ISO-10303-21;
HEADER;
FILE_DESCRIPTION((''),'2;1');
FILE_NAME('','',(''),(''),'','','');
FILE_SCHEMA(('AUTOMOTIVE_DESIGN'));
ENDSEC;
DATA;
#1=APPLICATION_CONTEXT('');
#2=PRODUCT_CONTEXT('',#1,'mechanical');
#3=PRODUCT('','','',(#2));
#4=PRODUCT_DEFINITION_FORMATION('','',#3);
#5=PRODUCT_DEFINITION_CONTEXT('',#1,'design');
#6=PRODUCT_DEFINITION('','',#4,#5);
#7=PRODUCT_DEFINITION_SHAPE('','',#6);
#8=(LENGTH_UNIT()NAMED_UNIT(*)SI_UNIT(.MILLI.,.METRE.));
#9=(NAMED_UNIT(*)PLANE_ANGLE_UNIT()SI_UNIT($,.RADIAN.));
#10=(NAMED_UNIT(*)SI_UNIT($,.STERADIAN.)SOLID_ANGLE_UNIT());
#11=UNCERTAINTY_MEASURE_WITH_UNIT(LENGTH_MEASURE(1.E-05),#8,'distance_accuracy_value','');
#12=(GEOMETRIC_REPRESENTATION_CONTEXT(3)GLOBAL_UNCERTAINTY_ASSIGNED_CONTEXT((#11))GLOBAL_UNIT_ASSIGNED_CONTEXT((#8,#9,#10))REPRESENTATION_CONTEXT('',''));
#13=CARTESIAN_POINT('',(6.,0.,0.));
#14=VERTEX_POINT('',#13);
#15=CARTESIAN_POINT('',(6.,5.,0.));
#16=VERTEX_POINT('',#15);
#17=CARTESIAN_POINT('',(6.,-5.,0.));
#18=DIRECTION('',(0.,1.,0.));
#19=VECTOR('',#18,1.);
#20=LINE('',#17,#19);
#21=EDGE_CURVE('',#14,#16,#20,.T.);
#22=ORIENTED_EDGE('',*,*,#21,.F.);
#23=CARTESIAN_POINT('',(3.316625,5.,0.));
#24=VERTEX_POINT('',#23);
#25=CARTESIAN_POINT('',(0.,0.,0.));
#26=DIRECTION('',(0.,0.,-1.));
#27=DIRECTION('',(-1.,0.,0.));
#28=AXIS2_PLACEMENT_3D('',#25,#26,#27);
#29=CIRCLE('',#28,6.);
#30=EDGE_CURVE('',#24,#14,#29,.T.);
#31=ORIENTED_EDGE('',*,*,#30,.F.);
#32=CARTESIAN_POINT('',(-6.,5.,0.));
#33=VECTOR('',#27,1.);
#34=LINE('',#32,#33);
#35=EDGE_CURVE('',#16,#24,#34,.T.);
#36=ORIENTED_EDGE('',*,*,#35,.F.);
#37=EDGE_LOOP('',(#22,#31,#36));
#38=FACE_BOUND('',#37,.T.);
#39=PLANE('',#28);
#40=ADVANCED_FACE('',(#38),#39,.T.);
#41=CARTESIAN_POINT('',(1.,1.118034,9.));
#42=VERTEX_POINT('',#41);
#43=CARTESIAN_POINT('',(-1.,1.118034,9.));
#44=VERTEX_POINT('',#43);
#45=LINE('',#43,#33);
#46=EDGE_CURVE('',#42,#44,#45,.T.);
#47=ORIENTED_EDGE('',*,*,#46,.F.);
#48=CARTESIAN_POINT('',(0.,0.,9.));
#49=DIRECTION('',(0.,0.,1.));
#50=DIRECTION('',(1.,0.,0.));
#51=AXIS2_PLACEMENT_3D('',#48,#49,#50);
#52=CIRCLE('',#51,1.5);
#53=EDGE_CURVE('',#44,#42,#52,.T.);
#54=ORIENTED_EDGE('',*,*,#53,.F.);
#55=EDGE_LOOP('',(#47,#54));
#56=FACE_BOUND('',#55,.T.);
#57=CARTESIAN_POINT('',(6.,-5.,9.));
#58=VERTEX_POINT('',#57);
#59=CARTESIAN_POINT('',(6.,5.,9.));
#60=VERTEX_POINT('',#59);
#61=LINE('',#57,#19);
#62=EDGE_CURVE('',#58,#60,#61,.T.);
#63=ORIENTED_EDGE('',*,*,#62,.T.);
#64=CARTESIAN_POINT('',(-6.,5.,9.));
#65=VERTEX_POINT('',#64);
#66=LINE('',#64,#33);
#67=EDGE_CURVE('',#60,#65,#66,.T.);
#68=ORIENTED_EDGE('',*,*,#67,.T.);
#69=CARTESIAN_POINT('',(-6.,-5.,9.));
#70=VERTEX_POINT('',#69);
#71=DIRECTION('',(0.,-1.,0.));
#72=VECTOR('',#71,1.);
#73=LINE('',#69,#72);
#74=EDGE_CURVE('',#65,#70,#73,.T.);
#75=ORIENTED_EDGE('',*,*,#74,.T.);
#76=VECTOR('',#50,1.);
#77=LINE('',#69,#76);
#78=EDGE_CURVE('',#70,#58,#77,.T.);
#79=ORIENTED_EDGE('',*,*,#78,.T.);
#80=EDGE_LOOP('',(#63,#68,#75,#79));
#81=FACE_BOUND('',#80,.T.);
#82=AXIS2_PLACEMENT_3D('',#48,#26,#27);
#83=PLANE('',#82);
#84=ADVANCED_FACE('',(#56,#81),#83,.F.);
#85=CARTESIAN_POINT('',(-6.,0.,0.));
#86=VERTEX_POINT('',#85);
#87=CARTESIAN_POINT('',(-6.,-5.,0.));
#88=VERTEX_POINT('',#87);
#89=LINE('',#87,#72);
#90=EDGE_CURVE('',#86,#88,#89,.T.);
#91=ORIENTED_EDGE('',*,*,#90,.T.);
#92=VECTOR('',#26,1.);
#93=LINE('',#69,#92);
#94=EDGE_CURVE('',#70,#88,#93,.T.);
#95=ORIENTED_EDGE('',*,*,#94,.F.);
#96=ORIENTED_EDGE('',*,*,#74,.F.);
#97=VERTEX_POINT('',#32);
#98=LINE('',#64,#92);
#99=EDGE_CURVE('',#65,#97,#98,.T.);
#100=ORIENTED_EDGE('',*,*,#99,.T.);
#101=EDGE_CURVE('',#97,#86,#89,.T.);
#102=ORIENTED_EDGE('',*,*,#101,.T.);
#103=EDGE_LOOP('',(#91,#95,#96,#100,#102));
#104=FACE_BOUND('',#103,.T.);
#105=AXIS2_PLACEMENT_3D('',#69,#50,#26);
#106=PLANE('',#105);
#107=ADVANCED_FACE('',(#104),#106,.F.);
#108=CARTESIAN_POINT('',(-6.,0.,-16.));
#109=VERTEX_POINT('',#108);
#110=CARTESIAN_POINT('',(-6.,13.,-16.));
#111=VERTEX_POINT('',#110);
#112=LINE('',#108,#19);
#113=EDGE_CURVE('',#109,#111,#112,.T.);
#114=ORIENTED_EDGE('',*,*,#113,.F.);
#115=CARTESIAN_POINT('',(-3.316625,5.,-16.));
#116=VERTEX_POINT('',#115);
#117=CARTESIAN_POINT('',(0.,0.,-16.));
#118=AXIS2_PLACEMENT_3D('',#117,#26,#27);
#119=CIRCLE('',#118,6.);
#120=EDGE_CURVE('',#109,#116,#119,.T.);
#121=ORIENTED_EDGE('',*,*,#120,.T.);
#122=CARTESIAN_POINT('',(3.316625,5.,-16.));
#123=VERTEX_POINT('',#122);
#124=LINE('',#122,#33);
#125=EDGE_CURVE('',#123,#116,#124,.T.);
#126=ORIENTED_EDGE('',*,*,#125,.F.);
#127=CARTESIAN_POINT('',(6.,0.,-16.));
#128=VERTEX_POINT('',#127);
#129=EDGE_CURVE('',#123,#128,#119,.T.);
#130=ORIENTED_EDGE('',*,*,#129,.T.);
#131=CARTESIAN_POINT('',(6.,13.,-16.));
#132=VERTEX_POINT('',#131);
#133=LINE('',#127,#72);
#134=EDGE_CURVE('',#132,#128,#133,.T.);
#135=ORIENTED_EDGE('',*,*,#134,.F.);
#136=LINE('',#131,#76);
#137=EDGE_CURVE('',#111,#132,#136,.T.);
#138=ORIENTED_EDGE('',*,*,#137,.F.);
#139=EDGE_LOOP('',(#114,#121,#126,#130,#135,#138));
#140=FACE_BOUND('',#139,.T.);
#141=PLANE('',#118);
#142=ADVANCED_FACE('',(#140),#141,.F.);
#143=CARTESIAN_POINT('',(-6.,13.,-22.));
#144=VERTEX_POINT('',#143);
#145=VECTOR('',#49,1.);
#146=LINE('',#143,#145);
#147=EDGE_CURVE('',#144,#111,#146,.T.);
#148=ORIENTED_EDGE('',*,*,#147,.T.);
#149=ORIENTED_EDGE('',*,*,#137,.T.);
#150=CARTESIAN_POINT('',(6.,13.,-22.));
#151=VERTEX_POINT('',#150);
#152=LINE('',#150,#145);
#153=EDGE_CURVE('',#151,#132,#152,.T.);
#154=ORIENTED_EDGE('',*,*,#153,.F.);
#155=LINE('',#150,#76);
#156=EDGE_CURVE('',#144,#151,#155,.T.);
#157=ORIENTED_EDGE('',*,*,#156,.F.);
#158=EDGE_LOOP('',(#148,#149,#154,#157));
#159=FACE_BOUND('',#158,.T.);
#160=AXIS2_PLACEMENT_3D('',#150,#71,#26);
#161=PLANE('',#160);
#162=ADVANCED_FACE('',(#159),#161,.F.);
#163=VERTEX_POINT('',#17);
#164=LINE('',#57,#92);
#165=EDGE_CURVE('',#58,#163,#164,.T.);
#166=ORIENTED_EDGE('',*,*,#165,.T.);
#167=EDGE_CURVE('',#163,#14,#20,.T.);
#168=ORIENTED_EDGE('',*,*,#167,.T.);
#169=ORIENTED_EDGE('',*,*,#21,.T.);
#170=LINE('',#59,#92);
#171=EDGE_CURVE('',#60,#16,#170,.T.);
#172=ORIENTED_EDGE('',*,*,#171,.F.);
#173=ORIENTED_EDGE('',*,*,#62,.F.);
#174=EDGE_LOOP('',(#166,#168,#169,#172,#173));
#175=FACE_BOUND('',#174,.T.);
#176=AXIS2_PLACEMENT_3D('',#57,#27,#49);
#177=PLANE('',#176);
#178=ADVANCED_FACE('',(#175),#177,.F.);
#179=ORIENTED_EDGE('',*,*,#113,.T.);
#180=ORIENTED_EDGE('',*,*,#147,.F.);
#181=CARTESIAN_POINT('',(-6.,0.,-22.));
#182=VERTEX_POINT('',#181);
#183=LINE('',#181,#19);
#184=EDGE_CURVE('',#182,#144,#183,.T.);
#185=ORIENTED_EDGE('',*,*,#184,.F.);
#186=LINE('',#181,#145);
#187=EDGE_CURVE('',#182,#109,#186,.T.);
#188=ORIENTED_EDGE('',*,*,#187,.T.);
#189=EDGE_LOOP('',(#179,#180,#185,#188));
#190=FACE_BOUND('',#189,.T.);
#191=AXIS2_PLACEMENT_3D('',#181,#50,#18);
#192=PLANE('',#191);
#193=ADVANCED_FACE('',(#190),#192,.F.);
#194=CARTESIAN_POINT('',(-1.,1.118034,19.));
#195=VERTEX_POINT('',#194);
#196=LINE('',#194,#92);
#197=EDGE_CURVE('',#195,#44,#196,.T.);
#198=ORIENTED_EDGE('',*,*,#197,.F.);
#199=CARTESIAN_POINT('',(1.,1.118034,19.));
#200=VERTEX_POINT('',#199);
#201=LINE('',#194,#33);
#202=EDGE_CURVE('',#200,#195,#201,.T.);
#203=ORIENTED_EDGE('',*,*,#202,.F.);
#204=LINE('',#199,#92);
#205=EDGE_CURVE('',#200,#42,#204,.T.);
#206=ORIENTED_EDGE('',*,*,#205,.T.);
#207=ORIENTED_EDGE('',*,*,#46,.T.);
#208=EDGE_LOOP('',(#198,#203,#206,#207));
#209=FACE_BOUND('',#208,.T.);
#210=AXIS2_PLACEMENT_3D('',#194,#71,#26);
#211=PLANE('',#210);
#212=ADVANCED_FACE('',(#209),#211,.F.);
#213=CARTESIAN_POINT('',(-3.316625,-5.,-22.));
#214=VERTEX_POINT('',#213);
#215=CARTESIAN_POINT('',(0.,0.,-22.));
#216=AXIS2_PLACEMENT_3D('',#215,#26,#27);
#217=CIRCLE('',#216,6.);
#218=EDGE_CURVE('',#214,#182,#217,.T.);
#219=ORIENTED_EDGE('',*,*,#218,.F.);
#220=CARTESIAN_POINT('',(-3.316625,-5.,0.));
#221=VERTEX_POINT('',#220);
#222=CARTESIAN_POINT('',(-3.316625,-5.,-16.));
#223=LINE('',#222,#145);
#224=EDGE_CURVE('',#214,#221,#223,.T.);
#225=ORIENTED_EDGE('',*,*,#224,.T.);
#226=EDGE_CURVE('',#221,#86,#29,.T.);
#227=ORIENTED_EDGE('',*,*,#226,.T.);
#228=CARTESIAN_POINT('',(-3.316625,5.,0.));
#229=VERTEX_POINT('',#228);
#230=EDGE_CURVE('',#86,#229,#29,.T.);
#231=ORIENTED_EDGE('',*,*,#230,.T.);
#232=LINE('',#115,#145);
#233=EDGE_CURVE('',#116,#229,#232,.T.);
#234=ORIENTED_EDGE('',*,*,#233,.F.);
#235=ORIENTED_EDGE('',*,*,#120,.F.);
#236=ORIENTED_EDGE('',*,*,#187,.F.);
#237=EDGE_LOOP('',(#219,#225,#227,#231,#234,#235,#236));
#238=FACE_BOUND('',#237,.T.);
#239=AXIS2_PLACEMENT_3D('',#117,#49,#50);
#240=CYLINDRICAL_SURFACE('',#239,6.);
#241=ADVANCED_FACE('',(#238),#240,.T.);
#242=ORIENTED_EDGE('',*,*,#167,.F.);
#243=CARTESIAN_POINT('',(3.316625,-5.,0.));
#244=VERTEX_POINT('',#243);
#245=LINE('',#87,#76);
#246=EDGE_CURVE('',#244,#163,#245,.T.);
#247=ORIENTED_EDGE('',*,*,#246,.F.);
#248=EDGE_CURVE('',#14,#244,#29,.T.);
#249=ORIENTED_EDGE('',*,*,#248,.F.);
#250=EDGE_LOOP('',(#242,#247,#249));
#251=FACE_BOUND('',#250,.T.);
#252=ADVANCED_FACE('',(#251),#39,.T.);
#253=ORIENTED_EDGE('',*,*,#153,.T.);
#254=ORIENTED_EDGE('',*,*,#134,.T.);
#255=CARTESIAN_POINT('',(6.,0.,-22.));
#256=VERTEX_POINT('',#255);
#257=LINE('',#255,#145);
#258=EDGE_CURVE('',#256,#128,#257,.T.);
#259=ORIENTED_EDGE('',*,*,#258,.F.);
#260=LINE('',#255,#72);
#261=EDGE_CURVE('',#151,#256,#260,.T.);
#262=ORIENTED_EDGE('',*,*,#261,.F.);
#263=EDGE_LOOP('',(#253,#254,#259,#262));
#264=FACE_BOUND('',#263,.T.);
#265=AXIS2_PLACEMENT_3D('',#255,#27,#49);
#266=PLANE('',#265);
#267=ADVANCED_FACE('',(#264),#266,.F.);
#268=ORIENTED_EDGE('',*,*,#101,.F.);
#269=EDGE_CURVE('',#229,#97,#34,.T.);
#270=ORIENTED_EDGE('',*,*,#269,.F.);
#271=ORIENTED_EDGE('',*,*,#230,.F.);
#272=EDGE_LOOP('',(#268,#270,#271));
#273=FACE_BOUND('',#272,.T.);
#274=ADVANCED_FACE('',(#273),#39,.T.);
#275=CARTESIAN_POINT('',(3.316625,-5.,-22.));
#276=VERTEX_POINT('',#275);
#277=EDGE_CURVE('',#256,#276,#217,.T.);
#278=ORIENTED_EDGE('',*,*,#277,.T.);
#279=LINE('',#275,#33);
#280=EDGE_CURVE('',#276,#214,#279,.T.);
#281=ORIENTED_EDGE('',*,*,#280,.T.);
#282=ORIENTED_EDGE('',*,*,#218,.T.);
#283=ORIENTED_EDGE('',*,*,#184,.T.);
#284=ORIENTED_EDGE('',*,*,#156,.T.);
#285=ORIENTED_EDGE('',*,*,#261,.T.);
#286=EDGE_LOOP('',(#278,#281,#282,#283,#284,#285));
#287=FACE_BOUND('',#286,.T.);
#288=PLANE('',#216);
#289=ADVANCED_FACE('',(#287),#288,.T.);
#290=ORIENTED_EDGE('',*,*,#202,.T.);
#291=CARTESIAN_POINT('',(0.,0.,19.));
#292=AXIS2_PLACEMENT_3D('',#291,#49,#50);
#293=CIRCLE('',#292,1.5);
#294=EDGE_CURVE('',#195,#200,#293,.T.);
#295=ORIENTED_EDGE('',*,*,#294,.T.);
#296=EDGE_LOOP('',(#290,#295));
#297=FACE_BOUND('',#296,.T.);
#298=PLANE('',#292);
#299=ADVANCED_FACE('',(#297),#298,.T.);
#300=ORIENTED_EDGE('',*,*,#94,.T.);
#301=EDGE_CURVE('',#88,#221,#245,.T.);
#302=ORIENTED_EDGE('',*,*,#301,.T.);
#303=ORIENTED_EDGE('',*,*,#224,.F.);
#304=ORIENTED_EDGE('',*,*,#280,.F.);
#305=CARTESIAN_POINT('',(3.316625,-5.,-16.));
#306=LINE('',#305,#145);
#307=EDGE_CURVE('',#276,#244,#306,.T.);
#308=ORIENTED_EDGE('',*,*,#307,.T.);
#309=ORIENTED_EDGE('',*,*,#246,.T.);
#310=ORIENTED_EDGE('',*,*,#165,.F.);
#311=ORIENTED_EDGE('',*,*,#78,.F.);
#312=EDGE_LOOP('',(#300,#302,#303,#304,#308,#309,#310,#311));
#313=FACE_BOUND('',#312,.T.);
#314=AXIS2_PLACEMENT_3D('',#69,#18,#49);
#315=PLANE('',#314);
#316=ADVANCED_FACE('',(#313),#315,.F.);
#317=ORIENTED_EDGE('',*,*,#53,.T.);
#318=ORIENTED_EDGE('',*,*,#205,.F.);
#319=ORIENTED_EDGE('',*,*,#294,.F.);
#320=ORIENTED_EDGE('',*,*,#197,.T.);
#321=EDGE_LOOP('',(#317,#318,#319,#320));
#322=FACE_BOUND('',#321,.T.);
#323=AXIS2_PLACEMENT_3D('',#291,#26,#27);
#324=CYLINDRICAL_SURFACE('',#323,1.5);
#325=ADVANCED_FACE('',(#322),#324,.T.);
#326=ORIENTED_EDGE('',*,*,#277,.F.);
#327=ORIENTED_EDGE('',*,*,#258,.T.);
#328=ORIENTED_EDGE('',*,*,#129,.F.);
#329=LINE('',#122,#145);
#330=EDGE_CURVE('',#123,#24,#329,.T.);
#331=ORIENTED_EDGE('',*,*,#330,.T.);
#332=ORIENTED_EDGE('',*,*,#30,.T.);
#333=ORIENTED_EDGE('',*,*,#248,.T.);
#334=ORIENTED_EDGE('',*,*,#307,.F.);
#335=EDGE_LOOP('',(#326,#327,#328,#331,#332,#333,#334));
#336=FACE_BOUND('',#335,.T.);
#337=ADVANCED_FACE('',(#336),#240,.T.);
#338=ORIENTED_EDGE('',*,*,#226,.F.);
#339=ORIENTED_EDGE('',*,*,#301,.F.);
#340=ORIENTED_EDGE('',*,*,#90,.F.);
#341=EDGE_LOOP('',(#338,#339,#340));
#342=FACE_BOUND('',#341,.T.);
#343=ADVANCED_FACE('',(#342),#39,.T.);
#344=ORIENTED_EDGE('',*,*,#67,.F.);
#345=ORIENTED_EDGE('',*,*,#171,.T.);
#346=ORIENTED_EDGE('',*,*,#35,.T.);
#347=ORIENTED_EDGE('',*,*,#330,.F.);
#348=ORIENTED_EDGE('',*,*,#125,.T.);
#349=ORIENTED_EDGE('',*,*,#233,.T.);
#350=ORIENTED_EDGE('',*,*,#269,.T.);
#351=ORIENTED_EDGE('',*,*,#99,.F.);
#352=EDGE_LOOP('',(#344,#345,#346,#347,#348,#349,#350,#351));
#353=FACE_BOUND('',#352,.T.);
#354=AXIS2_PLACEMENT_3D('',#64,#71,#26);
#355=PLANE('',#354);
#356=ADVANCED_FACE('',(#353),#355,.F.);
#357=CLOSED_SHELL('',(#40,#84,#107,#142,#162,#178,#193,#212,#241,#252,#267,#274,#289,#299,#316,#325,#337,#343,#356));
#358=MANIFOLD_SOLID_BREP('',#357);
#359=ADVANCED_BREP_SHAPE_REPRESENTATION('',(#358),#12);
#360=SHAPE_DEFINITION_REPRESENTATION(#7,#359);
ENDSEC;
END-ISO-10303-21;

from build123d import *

# Parameters (mm, degrees)
ESQUISSE1_W        = 12
ESQUISSE1_H        = 10
BOSS_EXTRU_1_DEPTH = 9
BOSS_EXTRU_2_DEPTH = 10
BOSS_EXTRU_3_DEPTH = 16
BOSS_EXTRU_4_DEPTH = 6


with BuildPart() as part:
    # Esquisse1 → Boss.-Extru.1 (new body)
    with BuildSketch(Plane.XY):
        Rectangle(ESQUISSE1_W, ESQUISSE1_H)
    extrude(amount=BOSS_EXTRU_1_DEPTH)

    # Esquisse2 → Boss.-Extru.2 (add)
    with BuildSketch(Plane.XY.offset(9)):
        with BuildLine():
            Line((-1, 1.118033989), (1, 1.118033989))
            ThreePointArc((1, 1.118033989), (0, -1.5), (-1, 1.118033989))
        make_face()
    extrude(amount=BOSS_EXTRU_2_DEPTH)

    # Esquisse3 → Boss.-Extru.3 (add)
    with BuildSketch(Plane(origin=(0, 0, 0), x_dir=(-1, 0, 0), z_dir=(0, 0, -1))):
        with BuildLine():
            Line((-3.31662479, 5), (3.31662479, 5))
            ThreePointArc((3.31662479, 5), (6, 0), (3.31662479, -5))
            Line((3.31662479, -5), (-3.31662479, -5))
            ThreePointArc((-3.31662479, -5), (-6, 0), (-3.31662479, 5))
        make_face()
    extrude(amount=BOSS_EXTRU_3_DEPTH)

    # Esquisse4 → Boss.-Extru.4 (add)
    with BuildSketch(Plane(origin=(0, 0, -16), x_dir=(-1, 0, 0), z_dir=(0, 0, -1))):
        with BuildLine():
            Line((-3.31662479, -5), (3.31662479, -5))
            ThreePointArc((3.31662479, -5), (5.286764074, -2.837274331), (6, 0))
            Line((6, 0), (6, 13))
            Line((6, 13), (-6, 13))
            Line((-6, 13), (-6, 0))
            ThreePointArc((-6, 0), (-5.286764074, -2.837274331), (-3.31662479, -5))
        make_face()
    extrude(amount=BOSS_EXTRU_4_DEPTH)


solid = part.part
